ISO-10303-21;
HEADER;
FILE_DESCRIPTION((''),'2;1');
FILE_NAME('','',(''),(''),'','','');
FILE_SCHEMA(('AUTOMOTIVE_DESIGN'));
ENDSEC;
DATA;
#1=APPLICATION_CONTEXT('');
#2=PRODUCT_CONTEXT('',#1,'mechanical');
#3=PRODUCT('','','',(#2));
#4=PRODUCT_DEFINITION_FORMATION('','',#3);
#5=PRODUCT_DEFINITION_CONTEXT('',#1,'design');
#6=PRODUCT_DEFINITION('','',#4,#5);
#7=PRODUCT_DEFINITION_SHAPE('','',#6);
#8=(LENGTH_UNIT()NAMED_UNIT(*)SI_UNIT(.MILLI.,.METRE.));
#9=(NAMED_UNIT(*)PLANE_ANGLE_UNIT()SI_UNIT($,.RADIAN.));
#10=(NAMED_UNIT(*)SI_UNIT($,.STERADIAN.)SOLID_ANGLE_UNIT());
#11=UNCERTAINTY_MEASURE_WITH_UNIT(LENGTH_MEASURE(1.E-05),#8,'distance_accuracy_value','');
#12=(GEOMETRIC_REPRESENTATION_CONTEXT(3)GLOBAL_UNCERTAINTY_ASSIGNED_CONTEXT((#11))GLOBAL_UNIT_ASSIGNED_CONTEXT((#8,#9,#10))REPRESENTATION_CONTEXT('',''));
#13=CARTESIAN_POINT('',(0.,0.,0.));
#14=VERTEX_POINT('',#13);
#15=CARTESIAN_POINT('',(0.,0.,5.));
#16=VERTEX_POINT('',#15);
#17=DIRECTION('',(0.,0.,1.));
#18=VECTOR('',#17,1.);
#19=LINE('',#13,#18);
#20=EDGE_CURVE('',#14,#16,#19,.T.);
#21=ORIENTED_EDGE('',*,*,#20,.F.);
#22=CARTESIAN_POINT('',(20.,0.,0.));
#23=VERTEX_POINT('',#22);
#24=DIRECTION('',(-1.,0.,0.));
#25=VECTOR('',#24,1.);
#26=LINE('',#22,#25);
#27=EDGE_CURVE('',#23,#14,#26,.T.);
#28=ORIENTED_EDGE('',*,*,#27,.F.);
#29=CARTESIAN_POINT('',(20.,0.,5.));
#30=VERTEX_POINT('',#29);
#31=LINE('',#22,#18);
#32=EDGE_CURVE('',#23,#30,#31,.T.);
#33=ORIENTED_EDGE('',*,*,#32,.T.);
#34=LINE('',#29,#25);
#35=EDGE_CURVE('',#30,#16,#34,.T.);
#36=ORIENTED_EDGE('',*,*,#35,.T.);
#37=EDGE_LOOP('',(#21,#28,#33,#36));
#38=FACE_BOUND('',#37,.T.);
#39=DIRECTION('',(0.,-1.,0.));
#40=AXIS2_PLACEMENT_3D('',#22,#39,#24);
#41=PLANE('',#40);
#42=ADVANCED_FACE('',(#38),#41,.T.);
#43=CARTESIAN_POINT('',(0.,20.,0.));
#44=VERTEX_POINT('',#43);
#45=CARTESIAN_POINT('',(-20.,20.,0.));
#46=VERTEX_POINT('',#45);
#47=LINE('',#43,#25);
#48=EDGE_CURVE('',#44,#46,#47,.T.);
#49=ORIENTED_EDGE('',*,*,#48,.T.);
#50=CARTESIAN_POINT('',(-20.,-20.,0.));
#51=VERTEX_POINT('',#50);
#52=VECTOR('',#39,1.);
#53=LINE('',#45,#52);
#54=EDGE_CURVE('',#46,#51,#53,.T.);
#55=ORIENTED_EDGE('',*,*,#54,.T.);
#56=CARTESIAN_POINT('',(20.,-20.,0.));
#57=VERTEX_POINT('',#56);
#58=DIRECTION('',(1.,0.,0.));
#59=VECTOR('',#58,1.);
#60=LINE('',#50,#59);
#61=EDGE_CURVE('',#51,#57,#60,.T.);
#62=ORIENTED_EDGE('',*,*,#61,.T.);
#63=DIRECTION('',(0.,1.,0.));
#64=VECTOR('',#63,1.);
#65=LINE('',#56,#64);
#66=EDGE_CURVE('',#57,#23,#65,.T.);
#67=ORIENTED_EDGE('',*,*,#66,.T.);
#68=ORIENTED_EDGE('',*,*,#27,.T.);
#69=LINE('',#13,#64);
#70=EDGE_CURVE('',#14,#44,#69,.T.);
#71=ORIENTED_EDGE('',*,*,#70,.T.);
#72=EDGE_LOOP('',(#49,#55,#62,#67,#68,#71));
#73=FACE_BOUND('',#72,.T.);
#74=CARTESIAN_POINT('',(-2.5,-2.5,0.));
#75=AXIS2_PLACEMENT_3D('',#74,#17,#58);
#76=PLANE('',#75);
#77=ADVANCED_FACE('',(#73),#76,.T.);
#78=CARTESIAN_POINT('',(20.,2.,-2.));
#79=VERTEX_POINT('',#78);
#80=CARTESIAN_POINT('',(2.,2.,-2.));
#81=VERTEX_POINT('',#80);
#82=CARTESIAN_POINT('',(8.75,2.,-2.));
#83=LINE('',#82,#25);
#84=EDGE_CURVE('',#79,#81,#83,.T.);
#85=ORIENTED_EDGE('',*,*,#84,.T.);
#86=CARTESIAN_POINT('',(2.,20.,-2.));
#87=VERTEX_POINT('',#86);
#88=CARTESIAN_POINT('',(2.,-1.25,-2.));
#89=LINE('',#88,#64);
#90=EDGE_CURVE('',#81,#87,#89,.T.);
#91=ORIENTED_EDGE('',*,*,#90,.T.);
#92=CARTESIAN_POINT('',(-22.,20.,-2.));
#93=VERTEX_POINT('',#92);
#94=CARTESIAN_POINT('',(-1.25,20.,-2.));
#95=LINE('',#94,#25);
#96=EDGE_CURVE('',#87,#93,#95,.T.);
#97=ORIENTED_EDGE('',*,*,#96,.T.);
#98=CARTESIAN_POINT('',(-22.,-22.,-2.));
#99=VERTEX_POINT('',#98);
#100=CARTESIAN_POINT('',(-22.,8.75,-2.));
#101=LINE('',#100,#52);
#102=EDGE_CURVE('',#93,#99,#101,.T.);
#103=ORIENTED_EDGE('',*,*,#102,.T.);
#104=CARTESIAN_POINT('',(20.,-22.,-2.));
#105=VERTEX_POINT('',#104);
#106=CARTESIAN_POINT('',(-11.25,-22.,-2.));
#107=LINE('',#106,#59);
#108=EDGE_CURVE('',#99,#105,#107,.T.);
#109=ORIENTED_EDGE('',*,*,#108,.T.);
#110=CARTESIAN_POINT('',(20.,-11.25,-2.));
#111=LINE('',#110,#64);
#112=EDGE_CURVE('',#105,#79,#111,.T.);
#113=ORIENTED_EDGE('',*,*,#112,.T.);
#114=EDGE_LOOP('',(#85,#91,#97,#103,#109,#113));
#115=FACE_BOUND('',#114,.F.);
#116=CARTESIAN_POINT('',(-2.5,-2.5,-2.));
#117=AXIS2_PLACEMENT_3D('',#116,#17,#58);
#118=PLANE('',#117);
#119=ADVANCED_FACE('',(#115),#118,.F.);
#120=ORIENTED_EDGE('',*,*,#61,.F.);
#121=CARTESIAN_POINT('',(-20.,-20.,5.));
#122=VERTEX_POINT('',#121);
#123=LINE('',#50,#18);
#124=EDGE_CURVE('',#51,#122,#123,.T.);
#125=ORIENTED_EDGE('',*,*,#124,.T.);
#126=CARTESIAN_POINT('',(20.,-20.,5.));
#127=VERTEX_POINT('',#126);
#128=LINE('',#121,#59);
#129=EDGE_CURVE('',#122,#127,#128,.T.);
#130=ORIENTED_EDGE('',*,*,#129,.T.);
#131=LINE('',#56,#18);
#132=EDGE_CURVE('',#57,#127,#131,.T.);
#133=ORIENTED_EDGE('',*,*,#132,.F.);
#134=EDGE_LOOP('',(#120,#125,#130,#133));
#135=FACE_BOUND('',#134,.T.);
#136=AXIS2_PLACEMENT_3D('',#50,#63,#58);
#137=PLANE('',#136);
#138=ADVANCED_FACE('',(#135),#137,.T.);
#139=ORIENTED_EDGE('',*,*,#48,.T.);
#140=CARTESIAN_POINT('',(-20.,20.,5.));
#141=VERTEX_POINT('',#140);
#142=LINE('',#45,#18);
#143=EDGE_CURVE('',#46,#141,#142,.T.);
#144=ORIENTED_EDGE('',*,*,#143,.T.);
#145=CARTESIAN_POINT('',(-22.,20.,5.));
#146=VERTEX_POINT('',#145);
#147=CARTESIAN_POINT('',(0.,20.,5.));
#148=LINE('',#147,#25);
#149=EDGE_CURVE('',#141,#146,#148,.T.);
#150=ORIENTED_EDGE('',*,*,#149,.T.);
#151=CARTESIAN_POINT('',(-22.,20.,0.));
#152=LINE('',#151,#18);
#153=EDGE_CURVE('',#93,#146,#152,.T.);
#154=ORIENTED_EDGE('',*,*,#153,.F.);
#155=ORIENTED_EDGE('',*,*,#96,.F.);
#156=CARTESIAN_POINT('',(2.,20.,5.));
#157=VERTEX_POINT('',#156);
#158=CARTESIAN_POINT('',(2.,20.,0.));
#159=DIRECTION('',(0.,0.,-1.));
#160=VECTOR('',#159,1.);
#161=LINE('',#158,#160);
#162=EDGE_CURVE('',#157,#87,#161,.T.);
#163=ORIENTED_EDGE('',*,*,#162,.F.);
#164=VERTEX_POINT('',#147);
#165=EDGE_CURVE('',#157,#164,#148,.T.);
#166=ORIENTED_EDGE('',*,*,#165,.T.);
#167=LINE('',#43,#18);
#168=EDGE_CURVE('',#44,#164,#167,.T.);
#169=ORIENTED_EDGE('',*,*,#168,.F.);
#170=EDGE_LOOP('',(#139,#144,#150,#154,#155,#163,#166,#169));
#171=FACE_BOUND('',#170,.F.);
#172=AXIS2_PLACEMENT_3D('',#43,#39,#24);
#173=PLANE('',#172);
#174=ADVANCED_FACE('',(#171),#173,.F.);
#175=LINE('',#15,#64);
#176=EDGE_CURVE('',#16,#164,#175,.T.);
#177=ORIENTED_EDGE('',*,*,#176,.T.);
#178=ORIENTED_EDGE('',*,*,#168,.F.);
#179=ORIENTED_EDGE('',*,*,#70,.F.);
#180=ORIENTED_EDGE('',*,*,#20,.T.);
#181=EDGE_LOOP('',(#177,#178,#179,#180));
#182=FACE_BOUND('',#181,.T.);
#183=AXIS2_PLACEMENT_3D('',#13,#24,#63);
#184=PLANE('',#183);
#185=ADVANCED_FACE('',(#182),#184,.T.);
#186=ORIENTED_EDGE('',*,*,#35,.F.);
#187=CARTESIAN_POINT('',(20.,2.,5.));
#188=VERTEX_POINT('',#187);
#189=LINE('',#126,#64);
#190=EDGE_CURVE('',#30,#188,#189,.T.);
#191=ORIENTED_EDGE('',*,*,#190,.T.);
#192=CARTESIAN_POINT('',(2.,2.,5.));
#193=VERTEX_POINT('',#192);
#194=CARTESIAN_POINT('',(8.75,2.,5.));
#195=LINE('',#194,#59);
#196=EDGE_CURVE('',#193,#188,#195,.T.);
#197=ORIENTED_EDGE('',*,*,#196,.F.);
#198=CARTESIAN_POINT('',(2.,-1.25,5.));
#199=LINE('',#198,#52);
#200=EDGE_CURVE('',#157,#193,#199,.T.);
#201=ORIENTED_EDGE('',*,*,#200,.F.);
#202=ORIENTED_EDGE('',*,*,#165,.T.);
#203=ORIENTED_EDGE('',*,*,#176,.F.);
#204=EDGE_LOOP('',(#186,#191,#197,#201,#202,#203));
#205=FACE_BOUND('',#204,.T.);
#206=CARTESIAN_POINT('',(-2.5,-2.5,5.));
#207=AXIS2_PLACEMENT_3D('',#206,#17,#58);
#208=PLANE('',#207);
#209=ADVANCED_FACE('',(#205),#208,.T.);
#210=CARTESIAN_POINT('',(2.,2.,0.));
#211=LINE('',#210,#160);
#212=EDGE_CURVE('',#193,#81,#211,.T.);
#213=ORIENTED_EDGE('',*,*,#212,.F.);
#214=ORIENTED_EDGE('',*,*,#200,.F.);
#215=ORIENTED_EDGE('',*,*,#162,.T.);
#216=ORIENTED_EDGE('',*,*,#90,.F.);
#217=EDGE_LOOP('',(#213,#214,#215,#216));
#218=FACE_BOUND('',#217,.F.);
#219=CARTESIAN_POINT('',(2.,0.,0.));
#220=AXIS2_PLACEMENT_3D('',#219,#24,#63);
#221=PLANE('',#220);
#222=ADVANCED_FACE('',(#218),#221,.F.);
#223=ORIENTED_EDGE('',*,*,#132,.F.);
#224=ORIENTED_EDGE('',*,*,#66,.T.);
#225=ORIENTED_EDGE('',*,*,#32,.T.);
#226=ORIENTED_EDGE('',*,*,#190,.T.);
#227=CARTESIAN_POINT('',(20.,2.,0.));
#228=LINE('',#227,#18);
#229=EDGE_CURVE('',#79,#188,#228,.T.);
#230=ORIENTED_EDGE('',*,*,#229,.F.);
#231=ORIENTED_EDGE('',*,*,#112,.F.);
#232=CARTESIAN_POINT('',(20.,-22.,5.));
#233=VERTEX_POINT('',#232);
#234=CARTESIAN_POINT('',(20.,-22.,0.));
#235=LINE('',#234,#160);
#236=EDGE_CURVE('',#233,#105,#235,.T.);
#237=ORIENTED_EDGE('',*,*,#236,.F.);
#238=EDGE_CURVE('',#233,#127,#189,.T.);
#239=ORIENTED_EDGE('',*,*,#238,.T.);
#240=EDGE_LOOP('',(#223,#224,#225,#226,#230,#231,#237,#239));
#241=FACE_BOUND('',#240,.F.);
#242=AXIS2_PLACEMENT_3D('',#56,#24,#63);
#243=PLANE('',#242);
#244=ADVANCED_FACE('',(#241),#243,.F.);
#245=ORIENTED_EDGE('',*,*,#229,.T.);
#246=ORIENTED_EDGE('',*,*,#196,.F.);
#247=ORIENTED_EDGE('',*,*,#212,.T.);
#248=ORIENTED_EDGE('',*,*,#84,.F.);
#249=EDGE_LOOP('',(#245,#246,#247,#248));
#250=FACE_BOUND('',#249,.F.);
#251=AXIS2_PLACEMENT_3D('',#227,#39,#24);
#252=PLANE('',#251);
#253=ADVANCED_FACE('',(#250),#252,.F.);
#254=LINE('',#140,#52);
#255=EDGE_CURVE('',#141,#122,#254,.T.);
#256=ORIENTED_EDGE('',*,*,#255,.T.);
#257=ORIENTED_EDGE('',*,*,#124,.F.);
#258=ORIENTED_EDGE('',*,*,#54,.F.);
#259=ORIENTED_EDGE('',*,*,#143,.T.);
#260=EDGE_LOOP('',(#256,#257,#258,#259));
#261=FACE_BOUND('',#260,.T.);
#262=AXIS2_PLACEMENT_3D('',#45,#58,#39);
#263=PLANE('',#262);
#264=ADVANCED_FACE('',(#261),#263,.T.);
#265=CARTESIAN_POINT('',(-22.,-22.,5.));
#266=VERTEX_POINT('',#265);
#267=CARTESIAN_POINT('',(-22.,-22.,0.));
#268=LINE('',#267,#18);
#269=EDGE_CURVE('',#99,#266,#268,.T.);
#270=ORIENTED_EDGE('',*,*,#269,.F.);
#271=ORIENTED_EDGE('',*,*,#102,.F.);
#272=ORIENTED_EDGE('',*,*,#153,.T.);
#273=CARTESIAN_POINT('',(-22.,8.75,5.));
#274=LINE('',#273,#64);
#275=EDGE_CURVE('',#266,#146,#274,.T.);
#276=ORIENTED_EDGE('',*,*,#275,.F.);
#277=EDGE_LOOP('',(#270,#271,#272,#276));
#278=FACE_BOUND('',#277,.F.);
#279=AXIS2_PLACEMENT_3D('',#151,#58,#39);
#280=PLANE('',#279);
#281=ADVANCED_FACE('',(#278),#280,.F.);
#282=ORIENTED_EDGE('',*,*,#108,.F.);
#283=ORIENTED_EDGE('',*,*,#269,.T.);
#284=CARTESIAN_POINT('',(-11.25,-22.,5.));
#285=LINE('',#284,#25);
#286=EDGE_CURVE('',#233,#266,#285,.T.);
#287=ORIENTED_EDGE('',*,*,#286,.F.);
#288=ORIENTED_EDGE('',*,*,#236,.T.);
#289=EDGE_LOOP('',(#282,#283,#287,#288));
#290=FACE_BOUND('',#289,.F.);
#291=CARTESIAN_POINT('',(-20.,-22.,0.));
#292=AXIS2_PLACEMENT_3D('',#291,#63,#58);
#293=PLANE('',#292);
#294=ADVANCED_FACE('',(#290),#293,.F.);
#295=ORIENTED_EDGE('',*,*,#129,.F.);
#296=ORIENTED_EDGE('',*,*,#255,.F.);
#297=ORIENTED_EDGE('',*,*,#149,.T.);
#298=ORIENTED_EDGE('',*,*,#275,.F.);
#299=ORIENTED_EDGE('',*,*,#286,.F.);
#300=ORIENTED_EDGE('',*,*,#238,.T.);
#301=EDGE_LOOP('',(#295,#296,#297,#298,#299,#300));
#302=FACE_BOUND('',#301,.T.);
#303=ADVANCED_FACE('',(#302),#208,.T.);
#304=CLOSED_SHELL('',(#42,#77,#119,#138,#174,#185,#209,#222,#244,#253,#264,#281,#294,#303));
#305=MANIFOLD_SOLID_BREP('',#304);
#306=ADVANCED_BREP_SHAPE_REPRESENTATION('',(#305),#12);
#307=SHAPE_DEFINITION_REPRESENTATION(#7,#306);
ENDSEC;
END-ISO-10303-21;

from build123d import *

# Parameters (mm, degrees)
F1_DEPTH = 5
F2_T     = 2


with BuildPart() as f1:
    # F0 (on Top) → F1 (new body)
    with BuildSketch(Plane.XY):
        Polygon((0, 20), (-20, 20), (-20, -20), (20, -20), (20, 0), (0, 0), align=None)
    extrude(amount=F1_DEPTH)

    # F2
    f2_openings = [f1.faces().sort_by_distance(p)[0] for p in [
        (-3.333333, -3.333333, 5),
        (20, -10, 2.5),
        (-10, 20, 2.5),
    ]]
    offset(amount=F2_T, openings=f2_openings, kind=Kind.INTERSECTION)


solid = f1.part
